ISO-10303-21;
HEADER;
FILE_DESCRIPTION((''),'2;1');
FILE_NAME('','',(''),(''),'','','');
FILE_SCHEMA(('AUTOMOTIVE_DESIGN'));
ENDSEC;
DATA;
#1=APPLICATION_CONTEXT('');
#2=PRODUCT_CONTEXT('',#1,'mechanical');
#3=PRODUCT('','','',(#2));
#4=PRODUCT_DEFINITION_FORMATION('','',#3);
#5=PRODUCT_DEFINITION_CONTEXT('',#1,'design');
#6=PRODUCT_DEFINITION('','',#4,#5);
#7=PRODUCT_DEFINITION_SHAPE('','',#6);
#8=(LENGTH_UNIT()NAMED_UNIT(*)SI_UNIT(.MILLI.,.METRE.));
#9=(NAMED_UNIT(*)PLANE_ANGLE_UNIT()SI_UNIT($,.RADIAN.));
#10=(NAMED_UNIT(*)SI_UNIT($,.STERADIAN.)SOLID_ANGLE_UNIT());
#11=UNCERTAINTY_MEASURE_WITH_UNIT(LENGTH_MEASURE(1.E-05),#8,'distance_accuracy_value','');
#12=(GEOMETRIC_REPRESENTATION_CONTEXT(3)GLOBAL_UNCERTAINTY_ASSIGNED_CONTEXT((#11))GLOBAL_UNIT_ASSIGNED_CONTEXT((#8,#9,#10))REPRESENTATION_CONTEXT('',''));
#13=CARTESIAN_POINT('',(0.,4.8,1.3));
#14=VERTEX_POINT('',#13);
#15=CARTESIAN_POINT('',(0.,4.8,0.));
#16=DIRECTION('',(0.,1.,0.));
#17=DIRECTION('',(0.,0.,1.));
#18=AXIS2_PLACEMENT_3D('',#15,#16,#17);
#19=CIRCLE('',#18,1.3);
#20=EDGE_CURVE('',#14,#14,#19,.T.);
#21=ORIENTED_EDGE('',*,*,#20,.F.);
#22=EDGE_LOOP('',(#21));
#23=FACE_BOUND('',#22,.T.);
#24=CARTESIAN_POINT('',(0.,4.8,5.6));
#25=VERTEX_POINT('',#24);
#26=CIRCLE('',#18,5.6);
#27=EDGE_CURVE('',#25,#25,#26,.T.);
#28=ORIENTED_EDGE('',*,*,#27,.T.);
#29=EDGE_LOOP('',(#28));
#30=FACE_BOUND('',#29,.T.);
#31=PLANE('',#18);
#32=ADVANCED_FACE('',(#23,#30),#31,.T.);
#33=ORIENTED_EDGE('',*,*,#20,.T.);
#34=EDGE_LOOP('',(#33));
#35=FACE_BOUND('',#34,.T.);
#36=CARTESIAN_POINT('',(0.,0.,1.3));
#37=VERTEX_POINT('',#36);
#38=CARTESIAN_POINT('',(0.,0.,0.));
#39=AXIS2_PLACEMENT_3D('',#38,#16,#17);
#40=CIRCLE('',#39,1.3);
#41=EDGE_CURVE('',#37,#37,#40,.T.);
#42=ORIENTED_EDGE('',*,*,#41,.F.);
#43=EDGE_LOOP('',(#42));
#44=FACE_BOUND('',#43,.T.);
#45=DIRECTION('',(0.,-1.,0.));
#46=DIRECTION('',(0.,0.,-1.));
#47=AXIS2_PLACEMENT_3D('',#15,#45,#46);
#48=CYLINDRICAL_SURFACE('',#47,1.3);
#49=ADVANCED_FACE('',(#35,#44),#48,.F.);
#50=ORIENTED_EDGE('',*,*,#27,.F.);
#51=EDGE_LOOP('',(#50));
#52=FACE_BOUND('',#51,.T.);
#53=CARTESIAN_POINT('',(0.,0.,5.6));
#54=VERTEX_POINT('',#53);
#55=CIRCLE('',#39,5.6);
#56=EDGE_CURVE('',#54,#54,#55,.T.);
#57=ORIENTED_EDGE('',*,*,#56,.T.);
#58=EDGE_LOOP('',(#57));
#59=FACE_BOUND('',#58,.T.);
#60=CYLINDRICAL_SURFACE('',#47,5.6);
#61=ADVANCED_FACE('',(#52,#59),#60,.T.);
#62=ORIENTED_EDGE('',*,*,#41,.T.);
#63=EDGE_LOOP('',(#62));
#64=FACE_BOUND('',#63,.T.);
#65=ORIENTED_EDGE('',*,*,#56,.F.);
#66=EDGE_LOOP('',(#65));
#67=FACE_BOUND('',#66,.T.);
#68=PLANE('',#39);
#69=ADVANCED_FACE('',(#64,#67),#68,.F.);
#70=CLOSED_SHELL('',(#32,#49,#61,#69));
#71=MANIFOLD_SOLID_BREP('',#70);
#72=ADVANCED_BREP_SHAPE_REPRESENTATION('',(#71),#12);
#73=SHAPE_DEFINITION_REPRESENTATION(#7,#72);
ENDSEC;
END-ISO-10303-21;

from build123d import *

# Parameters (mm, degrees)
SKETCH_1_R      = 5.6
SKETCH_1_R_2    = 1.3
EXTRUDE_1_DEPTH = 4.8


with BuildPart() as part:
    # 草图1 → 凸台-拉伸1 (new body)
    with BuildSketch(Plane(origin=(0, 0, 0), x_dir=(1, 0, 0), z_dir=(0, 1, 0))):
        Circle(SKETCH_1_R)
        Circle(SKETCH_1_R_2, mode=Mode.SUBTRACT)
    extrude(amount=EXTRUDE_1_DEPTH)


solid = part.part
